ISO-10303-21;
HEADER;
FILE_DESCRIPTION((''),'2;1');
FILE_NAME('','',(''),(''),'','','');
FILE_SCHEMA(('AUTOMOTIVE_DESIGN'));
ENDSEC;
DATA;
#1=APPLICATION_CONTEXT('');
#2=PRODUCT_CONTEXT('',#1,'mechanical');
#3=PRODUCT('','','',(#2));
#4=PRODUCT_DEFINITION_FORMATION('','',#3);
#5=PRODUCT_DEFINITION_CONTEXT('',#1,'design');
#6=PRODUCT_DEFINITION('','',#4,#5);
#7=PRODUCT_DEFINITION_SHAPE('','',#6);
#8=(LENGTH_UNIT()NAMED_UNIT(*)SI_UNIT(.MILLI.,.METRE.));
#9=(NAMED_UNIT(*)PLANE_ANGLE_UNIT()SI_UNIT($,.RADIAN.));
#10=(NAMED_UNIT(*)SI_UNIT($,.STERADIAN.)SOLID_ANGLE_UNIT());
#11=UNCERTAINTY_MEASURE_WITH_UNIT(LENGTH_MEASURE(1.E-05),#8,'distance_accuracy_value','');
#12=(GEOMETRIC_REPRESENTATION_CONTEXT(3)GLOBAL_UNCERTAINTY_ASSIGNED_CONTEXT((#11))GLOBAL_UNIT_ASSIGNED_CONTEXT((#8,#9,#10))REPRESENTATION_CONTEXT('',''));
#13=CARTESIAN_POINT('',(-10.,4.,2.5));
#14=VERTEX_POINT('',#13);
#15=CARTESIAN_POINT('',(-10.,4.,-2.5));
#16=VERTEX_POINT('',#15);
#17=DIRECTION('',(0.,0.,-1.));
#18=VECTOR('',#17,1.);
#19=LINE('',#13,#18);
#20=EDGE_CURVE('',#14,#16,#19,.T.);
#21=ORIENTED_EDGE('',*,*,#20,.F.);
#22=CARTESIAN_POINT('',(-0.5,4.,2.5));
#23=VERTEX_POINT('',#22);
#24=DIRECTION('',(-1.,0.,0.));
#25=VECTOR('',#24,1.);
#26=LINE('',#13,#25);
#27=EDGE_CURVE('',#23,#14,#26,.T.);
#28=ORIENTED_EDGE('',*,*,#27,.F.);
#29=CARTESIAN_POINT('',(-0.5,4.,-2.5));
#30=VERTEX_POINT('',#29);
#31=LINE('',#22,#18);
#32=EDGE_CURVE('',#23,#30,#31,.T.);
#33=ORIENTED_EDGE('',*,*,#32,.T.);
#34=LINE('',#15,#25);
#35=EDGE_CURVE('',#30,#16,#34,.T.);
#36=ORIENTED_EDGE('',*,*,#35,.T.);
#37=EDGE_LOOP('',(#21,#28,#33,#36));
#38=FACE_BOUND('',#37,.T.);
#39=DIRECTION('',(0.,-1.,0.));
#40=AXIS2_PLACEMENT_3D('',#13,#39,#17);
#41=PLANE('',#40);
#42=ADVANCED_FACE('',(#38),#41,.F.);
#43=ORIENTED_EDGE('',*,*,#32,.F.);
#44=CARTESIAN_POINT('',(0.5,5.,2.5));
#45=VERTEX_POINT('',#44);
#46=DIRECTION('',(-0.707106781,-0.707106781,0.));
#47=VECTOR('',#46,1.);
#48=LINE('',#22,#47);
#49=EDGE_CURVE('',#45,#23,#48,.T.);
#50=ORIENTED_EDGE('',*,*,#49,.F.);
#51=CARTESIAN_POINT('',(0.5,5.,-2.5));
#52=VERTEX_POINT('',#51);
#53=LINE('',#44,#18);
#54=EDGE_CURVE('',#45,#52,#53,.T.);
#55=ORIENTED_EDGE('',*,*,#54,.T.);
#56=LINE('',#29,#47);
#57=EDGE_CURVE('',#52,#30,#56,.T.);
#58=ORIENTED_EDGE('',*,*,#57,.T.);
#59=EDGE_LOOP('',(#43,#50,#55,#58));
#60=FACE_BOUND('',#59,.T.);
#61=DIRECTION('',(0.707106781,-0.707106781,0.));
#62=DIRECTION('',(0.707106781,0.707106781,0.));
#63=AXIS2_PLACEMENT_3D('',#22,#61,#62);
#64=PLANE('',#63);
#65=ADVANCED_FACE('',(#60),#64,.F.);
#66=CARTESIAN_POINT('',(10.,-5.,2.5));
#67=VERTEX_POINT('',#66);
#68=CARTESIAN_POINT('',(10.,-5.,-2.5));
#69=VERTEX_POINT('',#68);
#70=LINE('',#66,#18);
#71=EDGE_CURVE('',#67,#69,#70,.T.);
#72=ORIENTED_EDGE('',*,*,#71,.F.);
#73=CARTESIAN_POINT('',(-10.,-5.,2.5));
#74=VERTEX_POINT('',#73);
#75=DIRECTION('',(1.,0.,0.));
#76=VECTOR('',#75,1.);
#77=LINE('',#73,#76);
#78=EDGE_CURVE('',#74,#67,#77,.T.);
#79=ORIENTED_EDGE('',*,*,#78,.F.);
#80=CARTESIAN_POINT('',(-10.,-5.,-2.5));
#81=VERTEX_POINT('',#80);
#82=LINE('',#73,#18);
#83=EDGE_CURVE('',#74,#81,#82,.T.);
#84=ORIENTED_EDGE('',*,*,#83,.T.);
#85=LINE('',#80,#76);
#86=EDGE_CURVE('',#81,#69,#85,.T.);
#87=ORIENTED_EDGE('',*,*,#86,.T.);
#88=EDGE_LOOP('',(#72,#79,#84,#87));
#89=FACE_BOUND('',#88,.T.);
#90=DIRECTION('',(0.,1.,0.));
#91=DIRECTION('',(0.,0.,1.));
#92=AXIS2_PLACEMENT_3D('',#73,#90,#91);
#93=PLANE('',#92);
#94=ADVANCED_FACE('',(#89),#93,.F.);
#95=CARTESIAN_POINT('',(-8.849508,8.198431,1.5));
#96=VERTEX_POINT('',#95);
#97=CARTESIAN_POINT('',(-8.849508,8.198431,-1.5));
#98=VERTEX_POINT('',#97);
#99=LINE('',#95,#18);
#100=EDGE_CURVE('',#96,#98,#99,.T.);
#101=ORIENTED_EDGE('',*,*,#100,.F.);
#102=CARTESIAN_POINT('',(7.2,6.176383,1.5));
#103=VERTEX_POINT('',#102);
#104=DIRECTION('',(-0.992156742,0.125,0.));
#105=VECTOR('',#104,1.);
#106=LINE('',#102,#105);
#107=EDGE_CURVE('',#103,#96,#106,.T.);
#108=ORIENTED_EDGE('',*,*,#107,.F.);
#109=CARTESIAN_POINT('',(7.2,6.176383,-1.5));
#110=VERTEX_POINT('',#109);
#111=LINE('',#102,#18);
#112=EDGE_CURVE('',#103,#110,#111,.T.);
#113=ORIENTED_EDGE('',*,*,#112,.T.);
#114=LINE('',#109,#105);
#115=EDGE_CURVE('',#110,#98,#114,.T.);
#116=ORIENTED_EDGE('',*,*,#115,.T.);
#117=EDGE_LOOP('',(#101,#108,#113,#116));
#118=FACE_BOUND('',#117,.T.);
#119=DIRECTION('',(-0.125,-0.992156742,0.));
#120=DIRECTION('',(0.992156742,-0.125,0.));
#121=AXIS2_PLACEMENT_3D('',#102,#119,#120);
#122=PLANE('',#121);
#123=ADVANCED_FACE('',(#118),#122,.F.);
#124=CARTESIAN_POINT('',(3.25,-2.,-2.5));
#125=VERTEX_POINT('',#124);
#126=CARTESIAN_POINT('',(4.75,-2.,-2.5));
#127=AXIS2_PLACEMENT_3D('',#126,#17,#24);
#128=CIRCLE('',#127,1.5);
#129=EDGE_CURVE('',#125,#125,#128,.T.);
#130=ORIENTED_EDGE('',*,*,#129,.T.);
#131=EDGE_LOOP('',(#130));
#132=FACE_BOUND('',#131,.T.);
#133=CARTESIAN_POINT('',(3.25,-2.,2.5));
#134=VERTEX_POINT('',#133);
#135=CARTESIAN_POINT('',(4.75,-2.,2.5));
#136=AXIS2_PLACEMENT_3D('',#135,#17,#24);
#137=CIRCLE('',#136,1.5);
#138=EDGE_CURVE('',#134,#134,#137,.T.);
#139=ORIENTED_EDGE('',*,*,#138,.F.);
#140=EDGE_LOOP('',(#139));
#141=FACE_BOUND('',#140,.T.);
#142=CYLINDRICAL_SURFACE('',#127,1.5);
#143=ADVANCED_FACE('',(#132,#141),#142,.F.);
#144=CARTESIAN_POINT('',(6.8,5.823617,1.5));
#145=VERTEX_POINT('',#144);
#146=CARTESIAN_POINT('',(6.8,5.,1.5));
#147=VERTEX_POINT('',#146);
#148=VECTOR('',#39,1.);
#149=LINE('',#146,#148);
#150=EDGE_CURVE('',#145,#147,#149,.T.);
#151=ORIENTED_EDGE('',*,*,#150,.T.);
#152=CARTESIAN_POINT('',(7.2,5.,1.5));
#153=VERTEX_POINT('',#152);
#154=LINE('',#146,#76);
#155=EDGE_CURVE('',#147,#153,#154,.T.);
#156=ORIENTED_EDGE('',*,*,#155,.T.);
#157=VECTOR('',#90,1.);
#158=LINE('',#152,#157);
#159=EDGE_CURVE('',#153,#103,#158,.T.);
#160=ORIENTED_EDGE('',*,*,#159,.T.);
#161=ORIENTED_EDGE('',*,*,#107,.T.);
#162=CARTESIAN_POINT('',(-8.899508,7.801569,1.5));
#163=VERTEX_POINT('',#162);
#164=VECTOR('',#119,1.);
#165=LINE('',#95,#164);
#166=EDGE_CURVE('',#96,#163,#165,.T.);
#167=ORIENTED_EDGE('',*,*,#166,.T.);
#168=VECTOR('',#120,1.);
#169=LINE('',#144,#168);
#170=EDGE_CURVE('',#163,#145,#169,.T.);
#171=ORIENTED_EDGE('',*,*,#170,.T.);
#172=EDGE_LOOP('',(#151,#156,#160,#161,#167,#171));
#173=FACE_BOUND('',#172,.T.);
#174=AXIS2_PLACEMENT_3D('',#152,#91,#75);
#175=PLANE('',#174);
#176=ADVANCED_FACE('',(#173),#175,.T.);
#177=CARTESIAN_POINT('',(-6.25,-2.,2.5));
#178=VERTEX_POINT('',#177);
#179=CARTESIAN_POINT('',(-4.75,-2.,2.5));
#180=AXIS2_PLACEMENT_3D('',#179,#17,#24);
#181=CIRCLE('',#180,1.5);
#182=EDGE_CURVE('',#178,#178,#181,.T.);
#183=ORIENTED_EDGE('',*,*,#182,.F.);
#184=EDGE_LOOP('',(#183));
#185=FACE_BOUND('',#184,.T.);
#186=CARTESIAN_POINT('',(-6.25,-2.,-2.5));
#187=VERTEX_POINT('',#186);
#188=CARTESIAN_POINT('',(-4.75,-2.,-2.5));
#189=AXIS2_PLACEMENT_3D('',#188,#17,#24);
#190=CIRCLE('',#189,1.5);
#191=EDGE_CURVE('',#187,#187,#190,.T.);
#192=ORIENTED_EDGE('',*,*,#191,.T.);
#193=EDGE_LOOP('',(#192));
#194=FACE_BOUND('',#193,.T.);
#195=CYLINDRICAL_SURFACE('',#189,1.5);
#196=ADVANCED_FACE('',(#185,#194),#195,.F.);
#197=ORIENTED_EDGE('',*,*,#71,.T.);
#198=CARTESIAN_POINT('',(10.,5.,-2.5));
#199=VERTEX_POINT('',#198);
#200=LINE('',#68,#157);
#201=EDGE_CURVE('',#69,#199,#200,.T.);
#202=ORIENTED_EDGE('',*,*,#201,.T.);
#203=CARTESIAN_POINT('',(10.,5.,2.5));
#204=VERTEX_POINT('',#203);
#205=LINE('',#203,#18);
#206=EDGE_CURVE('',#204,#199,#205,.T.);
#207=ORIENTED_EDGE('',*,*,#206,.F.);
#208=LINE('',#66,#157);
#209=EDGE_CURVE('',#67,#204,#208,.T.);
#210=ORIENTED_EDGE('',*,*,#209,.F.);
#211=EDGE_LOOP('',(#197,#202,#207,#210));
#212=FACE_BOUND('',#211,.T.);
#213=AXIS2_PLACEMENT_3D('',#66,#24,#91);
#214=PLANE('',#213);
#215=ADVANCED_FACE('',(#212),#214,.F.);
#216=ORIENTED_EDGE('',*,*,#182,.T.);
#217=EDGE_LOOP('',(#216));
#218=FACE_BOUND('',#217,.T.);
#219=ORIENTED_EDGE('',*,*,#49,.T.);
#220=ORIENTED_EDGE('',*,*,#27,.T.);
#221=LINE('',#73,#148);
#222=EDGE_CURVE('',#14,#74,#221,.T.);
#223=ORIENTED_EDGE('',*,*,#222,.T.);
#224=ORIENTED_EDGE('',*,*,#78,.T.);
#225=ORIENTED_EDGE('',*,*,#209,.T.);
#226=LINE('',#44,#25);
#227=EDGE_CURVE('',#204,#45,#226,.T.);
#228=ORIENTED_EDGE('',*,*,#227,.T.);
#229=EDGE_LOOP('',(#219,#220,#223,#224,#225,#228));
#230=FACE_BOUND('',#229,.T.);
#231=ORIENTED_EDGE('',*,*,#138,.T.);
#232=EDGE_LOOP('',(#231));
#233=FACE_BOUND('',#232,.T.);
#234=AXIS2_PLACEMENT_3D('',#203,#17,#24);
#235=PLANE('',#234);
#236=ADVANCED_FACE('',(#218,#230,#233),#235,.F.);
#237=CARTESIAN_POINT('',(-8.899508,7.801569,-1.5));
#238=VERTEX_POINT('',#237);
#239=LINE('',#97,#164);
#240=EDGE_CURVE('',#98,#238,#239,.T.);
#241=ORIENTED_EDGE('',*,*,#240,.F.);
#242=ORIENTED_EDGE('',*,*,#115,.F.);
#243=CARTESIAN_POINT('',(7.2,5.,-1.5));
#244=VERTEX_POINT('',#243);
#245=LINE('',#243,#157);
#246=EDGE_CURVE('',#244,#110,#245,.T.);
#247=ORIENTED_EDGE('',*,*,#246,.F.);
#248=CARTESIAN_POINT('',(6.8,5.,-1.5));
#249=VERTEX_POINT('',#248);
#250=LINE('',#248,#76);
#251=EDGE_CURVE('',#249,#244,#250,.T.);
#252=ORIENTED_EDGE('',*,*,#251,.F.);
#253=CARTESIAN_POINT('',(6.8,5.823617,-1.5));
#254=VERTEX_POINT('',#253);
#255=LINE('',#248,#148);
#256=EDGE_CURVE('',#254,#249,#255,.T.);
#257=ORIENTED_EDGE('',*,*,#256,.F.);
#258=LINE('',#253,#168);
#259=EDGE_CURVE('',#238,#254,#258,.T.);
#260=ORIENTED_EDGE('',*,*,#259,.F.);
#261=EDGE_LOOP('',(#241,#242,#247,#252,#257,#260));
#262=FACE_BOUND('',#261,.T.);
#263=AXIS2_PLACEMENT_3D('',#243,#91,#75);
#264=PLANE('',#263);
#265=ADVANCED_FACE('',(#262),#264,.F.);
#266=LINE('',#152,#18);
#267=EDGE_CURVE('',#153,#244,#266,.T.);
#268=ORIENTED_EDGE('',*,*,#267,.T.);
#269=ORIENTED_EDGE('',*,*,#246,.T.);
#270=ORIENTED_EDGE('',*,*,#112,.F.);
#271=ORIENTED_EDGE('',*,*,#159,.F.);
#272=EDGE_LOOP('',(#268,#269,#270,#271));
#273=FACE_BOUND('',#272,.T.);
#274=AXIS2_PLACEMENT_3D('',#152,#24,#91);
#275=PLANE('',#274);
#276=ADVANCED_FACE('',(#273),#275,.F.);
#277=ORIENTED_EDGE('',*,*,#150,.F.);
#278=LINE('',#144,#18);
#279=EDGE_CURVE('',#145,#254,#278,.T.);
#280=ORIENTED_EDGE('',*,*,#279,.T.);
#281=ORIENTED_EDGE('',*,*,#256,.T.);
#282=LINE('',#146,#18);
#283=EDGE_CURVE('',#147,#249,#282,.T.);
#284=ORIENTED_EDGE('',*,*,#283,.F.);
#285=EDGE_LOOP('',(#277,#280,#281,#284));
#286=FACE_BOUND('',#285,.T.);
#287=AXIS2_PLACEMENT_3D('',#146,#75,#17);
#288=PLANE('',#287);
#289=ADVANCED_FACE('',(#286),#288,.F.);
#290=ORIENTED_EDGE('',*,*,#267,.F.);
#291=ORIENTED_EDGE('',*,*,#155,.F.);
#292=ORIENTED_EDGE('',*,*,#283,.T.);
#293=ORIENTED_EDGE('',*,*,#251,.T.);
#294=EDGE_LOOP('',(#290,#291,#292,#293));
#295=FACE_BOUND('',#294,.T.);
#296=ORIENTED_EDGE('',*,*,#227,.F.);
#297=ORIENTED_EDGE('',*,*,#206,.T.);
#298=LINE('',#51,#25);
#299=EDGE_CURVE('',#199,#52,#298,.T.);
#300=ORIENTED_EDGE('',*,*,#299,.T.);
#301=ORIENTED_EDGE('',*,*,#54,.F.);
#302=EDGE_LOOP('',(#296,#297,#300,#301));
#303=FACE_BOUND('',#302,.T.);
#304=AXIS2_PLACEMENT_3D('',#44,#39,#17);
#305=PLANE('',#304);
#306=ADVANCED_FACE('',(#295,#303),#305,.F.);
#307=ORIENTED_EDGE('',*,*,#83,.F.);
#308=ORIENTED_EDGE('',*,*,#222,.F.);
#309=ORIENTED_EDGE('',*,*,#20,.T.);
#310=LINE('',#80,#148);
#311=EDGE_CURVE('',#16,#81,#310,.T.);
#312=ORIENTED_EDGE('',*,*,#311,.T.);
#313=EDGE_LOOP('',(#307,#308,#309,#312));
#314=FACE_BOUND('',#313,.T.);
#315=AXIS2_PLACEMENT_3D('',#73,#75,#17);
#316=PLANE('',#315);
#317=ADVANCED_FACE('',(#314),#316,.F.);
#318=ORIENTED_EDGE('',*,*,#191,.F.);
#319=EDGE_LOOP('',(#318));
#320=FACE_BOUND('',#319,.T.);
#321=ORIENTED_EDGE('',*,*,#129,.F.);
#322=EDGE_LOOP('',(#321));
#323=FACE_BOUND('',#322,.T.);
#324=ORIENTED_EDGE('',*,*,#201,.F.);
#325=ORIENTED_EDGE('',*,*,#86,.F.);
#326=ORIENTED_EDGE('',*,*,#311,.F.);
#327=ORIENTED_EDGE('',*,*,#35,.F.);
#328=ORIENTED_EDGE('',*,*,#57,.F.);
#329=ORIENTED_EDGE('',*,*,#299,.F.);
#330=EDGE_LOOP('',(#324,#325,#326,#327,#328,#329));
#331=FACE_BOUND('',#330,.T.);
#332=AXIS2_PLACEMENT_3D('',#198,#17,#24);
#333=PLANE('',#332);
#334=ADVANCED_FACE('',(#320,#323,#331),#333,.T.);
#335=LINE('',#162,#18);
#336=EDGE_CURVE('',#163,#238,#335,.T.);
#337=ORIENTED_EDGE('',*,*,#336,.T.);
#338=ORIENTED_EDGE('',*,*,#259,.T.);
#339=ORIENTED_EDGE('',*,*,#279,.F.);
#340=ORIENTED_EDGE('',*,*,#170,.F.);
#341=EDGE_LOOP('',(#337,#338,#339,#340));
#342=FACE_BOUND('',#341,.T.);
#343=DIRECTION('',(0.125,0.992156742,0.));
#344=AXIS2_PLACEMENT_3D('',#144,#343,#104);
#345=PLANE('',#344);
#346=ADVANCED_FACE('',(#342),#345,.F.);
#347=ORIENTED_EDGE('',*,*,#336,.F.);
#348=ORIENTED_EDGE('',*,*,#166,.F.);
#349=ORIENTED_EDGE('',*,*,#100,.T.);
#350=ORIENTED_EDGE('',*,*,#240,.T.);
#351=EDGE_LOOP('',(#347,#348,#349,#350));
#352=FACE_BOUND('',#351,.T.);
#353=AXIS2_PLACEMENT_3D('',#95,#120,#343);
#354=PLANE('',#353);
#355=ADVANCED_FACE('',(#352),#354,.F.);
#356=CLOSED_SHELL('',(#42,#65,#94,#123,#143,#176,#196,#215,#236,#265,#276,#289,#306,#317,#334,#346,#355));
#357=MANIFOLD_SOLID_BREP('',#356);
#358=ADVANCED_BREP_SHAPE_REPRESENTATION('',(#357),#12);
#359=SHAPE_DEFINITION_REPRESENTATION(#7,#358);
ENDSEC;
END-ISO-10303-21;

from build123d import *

# Parameters (mm, degrees)
BOSS_EXTRUDE1_DEPTH          = 2.5
F_3_0_3_DIAMETER_HOLE1_D     = 3
F_3_0_3_DIAMETER_HOLE1_DEPTH = 5
F_3_0_3_DIAMETER_HOLE1_TIP   = 0.901290929
BOSS_EXTRUDE2_DEPTH          = 1.5


with BuildPart() as part:
    # Sketch1 → Boss-Extrude1 (new, symmetric)
    with BuildSketch(Plane.XY):
        Polygon((-10, 4), (-0.5, 4), (0.5, 5), (10, 5), (10, -5), (-10, -5), align=None)
    extrude(amount=BOSS_EXTRUDE1_DEPTH, both=True)

    # Ø3.0 (3) Diameter Hole1
    with Locations(Plane(origin=(0, 0, -2.5), x_dir=(-1, 0, 0), z_dir=(0, 0, -1))):
        with Locations((-4.75, -2), (4.75, -2)):
            Hole(F_3_0_3_DIAMETER_HOLE1_D / 2, depth=F_3_0_3_DIAMETER_HOLE1_DEPTH)
            with Locations((0, 0, -(F_3_0_3_DIAMETER_HOLE1_DEPTH + F_3_0_3_DIAMETER_HOLE1_TIP / 2))):  # 118° drill point
                Cone(0, F_3_0_3_DIAMETER_HOLE1_D / 2, F_3_0_3_DIAMETER_HOLE1_TIP, mode=Mode.SUBTRACT)

    # Sketch5 → Boss-Extrude2 (add, symmetric)
    with BuildSketch(Plane.XY):
        Polygon((7.2, 5), (7.2, 6.176383421), (-8.849507866, 8.198431348), (-8.899507866, 7.801568652), (6.8, 5.823616579), (6.8, 5), align=None)
    extrude(amount=BOSS_EXTRUDE2_DEPTH, both=True)


solid = part.part
